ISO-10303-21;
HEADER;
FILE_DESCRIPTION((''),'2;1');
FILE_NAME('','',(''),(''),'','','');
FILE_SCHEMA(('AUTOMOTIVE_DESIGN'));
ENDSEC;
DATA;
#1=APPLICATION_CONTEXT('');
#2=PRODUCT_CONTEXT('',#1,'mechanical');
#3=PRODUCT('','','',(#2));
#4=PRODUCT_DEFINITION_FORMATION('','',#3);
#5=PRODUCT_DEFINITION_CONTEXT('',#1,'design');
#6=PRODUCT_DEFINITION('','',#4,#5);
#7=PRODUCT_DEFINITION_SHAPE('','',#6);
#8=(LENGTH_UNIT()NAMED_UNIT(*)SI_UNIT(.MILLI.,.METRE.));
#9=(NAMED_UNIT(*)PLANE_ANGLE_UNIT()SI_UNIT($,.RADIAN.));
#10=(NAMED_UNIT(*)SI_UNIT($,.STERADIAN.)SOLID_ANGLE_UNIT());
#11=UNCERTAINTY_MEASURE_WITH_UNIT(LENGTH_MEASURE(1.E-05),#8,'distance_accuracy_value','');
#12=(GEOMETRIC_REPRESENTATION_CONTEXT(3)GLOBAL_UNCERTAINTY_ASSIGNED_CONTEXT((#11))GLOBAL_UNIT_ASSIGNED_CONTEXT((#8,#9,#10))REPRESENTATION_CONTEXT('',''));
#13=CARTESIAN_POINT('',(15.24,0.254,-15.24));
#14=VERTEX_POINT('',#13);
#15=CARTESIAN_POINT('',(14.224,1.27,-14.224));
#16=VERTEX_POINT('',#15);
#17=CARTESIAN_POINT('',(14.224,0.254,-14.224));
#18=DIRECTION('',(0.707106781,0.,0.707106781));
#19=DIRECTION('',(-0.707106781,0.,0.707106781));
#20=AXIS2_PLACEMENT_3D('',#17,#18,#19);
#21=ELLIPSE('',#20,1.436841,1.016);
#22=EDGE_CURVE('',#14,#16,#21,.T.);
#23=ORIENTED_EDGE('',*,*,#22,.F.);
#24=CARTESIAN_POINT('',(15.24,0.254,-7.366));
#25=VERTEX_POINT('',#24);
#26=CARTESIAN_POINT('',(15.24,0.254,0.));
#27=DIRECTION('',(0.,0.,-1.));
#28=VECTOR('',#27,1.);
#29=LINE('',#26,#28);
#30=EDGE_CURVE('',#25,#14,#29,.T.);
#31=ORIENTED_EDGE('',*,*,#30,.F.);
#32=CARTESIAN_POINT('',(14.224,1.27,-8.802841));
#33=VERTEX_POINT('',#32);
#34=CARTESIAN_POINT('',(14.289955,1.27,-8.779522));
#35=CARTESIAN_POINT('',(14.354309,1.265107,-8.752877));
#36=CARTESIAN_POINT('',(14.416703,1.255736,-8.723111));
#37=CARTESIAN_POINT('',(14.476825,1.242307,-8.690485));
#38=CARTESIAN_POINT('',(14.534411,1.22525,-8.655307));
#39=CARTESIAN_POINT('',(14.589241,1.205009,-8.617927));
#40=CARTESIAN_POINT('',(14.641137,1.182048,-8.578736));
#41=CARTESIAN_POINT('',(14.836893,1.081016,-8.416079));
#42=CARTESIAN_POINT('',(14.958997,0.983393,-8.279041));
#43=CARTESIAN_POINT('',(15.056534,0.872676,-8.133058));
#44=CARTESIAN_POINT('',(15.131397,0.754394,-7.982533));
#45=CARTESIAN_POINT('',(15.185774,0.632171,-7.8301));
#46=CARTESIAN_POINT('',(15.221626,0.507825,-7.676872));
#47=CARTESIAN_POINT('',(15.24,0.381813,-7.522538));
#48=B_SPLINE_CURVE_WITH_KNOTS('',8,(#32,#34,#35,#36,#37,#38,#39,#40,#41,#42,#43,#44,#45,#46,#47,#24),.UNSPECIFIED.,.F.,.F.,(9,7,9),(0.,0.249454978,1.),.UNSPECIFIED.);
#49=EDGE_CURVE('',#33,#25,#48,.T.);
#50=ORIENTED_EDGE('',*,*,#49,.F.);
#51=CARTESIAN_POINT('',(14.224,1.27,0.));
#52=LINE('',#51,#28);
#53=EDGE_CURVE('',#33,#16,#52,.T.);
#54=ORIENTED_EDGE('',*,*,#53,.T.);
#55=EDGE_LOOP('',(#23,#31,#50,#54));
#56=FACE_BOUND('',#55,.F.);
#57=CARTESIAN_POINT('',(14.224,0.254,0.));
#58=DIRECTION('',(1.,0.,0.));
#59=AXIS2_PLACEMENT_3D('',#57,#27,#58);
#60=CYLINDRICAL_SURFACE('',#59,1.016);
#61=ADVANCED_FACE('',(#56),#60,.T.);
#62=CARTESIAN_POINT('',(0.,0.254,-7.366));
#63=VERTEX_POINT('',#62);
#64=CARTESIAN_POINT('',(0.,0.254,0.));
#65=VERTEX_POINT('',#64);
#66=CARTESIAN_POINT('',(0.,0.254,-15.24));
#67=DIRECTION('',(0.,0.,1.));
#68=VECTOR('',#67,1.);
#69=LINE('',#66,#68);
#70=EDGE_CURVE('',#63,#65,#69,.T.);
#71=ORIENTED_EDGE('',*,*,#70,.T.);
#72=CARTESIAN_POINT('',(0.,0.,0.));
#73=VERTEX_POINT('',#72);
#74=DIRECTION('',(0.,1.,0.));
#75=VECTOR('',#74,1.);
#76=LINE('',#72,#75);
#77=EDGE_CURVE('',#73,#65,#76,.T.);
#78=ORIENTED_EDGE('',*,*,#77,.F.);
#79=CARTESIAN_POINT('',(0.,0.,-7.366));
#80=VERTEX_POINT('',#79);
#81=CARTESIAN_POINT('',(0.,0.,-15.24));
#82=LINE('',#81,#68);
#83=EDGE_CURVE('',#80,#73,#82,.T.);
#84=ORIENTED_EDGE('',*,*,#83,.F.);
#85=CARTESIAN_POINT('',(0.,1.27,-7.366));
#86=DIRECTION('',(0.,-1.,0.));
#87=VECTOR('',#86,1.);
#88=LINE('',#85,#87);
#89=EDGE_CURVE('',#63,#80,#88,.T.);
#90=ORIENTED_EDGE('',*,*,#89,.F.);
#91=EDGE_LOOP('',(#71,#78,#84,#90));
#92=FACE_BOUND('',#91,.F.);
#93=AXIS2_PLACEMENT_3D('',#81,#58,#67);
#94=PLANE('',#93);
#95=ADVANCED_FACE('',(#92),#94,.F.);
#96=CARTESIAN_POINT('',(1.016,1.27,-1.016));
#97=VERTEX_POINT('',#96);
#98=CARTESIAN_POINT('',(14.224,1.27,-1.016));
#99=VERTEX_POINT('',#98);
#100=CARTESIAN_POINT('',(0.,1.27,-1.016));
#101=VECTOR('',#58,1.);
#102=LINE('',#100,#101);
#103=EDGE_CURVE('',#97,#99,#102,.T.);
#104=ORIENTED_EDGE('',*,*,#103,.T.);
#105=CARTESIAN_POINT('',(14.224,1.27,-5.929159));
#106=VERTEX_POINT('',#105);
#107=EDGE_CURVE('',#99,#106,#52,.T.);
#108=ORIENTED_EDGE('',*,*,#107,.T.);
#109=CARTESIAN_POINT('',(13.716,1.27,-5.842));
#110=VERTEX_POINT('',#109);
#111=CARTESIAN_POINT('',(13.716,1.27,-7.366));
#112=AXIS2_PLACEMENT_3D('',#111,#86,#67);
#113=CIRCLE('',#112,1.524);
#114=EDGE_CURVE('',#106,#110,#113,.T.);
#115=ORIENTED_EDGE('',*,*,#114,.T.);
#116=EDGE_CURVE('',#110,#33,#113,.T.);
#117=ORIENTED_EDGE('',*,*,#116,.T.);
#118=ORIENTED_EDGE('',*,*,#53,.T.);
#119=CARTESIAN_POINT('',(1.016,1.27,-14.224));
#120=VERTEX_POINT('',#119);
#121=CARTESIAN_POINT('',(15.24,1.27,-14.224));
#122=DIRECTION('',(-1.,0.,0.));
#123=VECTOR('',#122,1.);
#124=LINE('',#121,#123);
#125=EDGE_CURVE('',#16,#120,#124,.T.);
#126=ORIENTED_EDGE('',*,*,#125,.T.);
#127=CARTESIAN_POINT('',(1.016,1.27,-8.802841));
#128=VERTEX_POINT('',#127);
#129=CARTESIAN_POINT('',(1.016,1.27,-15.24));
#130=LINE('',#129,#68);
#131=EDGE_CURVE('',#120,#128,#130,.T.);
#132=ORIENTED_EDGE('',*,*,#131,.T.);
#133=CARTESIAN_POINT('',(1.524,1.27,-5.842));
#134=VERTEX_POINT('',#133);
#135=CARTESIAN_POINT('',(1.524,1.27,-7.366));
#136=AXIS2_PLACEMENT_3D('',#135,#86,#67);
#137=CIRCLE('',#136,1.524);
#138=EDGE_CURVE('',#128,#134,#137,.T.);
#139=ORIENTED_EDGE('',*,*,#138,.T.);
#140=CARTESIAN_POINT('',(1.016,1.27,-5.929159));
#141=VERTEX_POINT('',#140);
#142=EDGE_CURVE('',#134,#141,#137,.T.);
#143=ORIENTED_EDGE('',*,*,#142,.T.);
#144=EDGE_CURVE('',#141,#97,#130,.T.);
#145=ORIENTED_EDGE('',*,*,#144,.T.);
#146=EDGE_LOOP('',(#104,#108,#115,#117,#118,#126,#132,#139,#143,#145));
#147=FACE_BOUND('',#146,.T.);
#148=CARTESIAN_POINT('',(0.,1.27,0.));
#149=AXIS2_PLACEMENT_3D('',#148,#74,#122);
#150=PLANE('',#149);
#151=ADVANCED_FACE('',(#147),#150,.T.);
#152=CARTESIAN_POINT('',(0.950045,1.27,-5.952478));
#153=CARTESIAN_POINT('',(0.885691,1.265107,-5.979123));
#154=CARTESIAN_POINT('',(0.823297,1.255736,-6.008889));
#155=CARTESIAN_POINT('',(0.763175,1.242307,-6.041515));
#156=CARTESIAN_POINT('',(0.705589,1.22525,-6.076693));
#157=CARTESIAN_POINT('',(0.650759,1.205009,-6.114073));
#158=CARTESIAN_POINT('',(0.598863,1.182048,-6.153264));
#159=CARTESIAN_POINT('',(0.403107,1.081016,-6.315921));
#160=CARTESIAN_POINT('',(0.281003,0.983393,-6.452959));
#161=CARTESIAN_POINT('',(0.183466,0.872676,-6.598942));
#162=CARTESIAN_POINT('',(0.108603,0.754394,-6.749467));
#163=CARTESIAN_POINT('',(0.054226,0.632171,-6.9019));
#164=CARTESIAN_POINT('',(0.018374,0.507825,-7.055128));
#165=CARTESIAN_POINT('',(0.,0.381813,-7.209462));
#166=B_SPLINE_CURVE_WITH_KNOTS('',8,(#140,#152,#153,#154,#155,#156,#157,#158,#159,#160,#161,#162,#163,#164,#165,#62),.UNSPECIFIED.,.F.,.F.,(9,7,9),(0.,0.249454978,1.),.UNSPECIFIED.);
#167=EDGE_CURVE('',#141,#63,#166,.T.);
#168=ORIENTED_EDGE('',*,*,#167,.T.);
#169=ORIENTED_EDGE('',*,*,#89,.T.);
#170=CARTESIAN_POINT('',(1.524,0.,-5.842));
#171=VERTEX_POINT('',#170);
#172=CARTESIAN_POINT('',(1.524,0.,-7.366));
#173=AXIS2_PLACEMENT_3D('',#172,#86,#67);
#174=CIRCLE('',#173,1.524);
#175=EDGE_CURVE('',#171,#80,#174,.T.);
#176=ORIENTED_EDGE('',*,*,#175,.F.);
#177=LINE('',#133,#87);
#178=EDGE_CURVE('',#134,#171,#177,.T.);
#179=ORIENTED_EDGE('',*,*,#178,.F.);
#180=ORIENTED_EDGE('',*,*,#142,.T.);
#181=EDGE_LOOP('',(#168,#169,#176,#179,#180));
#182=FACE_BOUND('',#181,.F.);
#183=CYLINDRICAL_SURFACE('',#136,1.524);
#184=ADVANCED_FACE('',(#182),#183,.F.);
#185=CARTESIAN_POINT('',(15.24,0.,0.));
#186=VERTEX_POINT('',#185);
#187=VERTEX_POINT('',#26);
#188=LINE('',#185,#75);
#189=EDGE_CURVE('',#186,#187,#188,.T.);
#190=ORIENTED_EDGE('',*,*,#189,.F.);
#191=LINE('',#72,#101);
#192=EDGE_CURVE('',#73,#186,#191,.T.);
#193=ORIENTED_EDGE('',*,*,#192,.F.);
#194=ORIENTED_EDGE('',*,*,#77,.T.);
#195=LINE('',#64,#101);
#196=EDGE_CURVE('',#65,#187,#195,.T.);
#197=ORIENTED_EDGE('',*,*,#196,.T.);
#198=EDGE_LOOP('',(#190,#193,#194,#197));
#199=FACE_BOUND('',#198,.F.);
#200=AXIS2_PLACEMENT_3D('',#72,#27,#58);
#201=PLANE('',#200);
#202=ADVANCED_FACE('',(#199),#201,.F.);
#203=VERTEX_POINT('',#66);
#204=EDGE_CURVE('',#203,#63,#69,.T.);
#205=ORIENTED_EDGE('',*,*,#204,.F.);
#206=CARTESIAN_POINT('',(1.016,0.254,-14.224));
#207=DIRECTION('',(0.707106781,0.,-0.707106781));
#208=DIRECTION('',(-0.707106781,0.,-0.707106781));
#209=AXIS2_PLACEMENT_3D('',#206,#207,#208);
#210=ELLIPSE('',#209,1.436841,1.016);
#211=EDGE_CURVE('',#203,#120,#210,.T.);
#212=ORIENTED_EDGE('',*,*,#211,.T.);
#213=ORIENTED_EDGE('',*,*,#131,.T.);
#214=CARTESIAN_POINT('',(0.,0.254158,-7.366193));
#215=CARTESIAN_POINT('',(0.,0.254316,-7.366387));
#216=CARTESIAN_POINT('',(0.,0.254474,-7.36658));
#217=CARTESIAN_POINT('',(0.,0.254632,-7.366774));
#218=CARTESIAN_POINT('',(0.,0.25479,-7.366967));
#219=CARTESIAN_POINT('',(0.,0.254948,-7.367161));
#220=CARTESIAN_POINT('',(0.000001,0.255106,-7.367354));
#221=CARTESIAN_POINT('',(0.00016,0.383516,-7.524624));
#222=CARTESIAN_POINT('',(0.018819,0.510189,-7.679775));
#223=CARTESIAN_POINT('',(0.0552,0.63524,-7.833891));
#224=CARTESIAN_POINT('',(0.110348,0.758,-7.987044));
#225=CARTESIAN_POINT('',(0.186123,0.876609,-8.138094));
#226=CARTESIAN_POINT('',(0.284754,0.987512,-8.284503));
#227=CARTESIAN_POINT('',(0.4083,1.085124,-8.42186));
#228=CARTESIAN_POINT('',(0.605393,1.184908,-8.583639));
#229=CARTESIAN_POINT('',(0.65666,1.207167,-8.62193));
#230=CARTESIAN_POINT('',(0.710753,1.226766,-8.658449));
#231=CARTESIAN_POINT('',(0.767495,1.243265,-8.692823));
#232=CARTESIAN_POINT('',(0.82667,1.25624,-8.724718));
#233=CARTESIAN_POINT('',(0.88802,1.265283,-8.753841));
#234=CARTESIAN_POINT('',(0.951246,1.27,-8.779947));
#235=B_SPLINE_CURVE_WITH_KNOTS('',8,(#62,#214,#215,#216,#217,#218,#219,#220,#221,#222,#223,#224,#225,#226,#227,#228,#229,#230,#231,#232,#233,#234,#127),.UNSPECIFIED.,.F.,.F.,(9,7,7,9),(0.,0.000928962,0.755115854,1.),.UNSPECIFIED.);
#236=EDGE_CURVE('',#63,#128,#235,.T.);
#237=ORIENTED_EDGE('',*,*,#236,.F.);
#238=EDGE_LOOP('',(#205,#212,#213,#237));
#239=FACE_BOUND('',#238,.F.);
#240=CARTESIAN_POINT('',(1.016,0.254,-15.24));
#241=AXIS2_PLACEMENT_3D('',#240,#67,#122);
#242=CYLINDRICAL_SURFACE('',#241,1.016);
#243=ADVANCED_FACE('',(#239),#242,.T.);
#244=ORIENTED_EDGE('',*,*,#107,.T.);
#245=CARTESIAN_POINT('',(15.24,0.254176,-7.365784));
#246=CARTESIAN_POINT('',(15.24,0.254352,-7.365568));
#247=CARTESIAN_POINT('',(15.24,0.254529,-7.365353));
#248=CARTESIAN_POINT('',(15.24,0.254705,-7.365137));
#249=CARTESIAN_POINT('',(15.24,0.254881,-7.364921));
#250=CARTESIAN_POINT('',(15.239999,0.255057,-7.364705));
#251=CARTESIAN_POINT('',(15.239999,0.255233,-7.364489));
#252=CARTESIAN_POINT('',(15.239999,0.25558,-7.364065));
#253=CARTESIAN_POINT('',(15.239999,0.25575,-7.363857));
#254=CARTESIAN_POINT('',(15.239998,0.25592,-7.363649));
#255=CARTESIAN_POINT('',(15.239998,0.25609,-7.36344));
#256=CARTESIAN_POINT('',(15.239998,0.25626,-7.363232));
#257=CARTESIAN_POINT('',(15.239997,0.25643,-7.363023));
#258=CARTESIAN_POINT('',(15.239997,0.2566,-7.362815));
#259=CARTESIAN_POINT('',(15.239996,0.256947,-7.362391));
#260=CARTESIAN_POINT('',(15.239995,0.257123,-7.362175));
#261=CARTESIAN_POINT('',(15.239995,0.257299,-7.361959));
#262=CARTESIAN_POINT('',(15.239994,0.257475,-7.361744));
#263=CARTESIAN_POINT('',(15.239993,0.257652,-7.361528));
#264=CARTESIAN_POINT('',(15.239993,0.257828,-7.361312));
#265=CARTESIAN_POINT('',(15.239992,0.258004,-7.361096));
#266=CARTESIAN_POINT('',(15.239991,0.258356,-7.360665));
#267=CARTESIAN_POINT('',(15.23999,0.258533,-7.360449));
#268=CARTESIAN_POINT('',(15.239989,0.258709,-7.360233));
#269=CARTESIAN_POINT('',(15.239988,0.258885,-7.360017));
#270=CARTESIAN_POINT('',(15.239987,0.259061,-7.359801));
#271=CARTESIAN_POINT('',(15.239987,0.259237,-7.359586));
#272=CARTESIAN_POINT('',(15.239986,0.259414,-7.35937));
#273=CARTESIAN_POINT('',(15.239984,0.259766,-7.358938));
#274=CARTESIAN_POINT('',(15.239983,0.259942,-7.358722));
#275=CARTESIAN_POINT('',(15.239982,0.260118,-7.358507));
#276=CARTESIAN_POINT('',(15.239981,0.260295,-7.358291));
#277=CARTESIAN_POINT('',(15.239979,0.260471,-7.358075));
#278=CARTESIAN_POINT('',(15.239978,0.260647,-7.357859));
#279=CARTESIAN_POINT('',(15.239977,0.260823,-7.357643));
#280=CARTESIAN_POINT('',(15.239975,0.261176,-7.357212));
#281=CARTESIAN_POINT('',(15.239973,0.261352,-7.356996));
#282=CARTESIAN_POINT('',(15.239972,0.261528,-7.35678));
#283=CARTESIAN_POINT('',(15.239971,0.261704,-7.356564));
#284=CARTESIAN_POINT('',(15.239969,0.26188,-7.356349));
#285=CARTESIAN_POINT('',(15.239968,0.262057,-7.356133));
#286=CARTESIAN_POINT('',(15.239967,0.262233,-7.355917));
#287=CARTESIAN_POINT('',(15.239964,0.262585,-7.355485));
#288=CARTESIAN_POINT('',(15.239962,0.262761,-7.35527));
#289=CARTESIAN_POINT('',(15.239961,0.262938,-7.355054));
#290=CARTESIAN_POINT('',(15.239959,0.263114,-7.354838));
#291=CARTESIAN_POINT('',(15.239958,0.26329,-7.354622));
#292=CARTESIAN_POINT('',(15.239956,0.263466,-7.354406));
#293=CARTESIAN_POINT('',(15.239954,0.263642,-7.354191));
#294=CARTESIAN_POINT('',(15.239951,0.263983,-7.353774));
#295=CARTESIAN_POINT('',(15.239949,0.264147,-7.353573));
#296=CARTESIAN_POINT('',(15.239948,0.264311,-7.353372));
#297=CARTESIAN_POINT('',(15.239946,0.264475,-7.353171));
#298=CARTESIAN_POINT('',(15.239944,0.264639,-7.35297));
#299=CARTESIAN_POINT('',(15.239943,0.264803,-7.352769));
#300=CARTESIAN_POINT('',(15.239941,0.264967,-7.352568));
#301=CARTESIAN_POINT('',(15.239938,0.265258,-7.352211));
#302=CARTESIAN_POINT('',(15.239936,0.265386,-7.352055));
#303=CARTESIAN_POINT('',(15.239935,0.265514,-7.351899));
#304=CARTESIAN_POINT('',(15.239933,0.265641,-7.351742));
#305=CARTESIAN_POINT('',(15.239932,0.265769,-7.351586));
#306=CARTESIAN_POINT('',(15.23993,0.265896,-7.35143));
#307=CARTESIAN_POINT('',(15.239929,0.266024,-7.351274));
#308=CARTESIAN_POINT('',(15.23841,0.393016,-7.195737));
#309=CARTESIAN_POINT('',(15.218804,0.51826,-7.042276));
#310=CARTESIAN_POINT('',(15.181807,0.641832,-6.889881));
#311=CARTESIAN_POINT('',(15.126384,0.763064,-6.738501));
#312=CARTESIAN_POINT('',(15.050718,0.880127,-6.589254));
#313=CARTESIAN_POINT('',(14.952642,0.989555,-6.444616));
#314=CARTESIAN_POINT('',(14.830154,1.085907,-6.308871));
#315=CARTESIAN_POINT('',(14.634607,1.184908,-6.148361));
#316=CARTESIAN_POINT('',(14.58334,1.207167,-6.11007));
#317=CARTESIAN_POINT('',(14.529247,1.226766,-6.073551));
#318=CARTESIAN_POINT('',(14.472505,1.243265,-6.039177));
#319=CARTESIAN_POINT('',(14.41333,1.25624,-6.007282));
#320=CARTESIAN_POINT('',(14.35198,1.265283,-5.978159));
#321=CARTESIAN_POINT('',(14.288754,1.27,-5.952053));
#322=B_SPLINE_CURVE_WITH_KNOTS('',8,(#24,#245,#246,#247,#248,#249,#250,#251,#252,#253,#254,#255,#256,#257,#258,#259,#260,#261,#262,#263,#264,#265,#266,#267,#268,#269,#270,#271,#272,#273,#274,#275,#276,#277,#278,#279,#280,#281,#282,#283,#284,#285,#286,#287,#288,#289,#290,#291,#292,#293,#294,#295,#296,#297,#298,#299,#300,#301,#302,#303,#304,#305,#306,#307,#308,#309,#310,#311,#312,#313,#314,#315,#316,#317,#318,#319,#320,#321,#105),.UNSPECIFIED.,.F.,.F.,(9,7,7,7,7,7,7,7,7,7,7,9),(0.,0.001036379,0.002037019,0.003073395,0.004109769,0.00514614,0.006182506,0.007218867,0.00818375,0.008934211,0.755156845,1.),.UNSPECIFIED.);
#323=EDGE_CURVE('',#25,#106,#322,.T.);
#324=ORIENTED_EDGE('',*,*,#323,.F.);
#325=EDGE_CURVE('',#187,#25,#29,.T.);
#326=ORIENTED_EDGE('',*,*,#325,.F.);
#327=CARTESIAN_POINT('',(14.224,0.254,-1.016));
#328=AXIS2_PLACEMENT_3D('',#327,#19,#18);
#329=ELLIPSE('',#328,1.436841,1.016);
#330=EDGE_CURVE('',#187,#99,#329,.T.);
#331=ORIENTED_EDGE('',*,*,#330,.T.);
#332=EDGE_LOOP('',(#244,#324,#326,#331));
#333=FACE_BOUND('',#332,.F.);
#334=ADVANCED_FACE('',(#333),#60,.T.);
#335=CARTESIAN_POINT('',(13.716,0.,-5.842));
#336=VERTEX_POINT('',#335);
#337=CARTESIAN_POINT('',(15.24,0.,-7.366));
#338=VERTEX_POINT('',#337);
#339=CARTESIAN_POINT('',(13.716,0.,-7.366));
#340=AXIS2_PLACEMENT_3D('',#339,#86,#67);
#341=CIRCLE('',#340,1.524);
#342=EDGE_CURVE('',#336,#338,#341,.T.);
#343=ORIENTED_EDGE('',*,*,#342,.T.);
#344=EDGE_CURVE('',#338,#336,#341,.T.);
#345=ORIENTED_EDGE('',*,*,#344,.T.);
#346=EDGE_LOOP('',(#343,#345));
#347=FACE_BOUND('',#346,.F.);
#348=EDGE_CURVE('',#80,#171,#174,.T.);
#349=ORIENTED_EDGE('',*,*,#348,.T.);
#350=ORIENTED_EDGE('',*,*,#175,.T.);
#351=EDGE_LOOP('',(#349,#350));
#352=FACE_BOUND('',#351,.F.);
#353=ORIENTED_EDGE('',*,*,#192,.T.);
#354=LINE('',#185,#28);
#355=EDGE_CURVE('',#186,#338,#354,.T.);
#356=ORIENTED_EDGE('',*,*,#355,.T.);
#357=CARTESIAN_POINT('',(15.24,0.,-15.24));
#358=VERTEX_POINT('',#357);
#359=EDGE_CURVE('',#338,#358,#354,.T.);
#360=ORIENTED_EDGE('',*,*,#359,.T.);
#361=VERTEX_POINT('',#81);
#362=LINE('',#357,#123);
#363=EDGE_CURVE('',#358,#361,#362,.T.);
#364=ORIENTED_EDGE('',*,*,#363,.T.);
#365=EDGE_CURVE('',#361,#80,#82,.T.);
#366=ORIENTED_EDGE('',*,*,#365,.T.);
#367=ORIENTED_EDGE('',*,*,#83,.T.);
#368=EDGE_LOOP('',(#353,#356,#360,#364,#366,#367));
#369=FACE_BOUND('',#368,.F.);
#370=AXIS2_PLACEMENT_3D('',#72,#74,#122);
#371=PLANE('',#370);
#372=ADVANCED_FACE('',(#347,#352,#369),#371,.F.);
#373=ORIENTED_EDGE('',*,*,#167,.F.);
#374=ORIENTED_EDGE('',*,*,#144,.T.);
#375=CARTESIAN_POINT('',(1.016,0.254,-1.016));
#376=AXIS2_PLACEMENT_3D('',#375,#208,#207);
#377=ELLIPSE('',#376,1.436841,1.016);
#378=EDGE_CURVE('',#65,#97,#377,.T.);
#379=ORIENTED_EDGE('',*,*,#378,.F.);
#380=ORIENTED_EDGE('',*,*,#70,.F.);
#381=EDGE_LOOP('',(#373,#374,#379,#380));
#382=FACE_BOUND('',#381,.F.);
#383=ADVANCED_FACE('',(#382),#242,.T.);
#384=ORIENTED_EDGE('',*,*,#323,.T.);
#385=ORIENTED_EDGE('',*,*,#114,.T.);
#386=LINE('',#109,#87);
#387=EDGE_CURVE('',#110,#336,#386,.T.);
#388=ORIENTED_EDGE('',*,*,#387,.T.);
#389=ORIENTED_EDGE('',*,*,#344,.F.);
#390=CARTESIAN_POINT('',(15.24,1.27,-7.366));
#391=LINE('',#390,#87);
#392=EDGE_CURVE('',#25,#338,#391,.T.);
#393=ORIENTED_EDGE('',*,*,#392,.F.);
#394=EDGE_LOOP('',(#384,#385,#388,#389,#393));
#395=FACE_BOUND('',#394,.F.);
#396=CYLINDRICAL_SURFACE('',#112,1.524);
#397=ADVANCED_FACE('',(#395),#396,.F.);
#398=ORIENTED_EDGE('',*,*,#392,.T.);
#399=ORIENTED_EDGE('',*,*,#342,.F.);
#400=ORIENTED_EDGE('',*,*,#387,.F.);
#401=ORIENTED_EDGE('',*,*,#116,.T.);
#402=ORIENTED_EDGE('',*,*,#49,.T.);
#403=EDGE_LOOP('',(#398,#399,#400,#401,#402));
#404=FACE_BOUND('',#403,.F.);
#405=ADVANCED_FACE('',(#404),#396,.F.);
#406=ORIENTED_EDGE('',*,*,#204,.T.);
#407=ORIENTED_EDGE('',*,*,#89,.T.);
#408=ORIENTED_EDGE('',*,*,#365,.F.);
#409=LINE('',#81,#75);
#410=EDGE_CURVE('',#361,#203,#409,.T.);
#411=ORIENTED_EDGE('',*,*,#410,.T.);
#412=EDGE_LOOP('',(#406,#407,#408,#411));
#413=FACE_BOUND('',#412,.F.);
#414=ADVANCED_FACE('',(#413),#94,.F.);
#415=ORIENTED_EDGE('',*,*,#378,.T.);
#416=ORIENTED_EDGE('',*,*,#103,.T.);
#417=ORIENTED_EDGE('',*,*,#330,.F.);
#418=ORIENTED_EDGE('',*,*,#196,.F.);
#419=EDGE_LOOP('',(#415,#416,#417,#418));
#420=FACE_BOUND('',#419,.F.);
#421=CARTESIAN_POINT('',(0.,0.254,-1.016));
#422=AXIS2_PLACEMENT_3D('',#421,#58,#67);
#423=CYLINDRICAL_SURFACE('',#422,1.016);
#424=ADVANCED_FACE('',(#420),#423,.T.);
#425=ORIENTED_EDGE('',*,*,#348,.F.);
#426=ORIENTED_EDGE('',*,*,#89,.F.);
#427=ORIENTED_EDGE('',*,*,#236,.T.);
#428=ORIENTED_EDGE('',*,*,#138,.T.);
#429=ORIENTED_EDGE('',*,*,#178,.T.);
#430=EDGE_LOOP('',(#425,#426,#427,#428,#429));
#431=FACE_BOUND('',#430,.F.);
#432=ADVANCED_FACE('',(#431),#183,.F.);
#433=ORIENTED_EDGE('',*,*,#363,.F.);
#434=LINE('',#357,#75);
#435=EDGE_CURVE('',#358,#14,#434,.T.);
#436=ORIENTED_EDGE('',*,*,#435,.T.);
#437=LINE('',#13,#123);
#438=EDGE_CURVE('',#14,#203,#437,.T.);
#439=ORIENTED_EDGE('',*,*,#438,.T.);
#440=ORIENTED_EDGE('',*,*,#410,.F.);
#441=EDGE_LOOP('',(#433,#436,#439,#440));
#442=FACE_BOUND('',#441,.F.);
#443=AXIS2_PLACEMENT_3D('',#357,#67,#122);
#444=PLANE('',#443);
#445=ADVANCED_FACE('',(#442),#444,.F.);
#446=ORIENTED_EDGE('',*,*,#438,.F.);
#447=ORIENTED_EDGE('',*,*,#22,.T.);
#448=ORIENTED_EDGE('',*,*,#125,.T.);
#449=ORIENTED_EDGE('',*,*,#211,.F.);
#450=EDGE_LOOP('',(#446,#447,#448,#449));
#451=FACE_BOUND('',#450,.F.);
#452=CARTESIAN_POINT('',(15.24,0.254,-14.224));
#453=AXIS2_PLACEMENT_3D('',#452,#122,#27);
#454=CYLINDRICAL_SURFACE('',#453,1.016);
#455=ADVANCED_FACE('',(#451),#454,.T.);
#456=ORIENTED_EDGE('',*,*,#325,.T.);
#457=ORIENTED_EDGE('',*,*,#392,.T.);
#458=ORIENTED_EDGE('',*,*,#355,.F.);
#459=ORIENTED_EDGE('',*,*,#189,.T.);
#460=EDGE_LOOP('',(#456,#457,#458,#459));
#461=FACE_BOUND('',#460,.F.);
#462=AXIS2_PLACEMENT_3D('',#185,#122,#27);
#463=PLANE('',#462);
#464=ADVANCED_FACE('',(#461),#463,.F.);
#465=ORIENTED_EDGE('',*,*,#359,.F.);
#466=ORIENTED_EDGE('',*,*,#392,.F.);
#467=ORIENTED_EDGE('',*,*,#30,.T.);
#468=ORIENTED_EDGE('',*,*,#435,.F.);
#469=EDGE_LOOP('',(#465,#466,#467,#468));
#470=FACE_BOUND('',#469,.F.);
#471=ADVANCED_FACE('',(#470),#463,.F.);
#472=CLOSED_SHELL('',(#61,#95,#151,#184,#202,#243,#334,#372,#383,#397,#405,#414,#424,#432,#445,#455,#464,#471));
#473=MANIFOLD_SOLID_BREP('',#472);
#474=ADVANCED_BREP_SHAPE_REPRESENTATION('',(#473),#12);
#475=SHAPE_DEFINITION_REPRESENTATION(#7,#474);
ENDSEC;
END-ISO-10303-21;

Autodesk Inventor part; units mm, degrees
ref_plane "YZ Plane" through (0, 0, 0) normal (1, 0, 0) x (0, 1, 0)
ref_plane "XZ Plane" through (0, 0, 0) normal (0, 1, 0) x (-1, 0, 0)
ref_plane "XY Plane" through (0, 0, 0) normal (0, 0, 1) x (1, 0, 0)
sketch "Sketch1" plane through (0, 0, 0) normal (0, 1, 0) x (-1, 0, 0)
  line L0 (0, 0) -> (-15.24, 0)
  line L1 (-15.24, 0) -> (-15.24, -15.24)
  line L2 (-15.24, -15.24) -> (0, -15.24)
  line L3 (0, -15.24) -> (0, 0)
  dimension "d0" = 15.24
  dimension "d1" = 15.24
extrude "Extrusion1" add sketch "Sketch1" along normal blind 1.27
sketch "Sketch2" plane through (0, 1.27, 0) normal (0, 1, 0) x (1, 0, 0)
  line L0 (0, 15.24) -> (0, 0) projected
  line L1 (0, 15.24) -> (1.524, 15.24)
  line L2 (1.524, 15.24) -> (1.524, 7.366)
  line L3 (1.524, 7.366) -> (0, 7.366)
  line L4 (0, 7.366) -> (0, 15.24)
  line L5 (15.24, 0) -> (15.24, 15.24) projected
  line L6 (15.24, 15.24) -> (13.716, 15.24)
  line L7 (13.716, 15.24) -> (13.716, 7.366)
  line L8 (13.716, 7.366) -> (15.24, 7.366)
  line L9 (15.24, 7.366) -> (15.24, 15.24)
  dimension "d4" = 1.524
  dimension "d5" = 7.874
  dimension "d6" = 1.524
  dimension "d7" = 7.874
fillet "Fillet1" radius 1.016 4 edges at (7.62, 1.27, 0) (7.62, 1.27, -15.24) (15.24, 1.27, -7.62) (0, 1.27, -7.62)
hole "Hole2" at (1.524, 1.27, -7.366) at (13.716, 1.27, -7.366) direction (0, -1, 0) diameter 3.048 end through all
properties part number "Cap"
